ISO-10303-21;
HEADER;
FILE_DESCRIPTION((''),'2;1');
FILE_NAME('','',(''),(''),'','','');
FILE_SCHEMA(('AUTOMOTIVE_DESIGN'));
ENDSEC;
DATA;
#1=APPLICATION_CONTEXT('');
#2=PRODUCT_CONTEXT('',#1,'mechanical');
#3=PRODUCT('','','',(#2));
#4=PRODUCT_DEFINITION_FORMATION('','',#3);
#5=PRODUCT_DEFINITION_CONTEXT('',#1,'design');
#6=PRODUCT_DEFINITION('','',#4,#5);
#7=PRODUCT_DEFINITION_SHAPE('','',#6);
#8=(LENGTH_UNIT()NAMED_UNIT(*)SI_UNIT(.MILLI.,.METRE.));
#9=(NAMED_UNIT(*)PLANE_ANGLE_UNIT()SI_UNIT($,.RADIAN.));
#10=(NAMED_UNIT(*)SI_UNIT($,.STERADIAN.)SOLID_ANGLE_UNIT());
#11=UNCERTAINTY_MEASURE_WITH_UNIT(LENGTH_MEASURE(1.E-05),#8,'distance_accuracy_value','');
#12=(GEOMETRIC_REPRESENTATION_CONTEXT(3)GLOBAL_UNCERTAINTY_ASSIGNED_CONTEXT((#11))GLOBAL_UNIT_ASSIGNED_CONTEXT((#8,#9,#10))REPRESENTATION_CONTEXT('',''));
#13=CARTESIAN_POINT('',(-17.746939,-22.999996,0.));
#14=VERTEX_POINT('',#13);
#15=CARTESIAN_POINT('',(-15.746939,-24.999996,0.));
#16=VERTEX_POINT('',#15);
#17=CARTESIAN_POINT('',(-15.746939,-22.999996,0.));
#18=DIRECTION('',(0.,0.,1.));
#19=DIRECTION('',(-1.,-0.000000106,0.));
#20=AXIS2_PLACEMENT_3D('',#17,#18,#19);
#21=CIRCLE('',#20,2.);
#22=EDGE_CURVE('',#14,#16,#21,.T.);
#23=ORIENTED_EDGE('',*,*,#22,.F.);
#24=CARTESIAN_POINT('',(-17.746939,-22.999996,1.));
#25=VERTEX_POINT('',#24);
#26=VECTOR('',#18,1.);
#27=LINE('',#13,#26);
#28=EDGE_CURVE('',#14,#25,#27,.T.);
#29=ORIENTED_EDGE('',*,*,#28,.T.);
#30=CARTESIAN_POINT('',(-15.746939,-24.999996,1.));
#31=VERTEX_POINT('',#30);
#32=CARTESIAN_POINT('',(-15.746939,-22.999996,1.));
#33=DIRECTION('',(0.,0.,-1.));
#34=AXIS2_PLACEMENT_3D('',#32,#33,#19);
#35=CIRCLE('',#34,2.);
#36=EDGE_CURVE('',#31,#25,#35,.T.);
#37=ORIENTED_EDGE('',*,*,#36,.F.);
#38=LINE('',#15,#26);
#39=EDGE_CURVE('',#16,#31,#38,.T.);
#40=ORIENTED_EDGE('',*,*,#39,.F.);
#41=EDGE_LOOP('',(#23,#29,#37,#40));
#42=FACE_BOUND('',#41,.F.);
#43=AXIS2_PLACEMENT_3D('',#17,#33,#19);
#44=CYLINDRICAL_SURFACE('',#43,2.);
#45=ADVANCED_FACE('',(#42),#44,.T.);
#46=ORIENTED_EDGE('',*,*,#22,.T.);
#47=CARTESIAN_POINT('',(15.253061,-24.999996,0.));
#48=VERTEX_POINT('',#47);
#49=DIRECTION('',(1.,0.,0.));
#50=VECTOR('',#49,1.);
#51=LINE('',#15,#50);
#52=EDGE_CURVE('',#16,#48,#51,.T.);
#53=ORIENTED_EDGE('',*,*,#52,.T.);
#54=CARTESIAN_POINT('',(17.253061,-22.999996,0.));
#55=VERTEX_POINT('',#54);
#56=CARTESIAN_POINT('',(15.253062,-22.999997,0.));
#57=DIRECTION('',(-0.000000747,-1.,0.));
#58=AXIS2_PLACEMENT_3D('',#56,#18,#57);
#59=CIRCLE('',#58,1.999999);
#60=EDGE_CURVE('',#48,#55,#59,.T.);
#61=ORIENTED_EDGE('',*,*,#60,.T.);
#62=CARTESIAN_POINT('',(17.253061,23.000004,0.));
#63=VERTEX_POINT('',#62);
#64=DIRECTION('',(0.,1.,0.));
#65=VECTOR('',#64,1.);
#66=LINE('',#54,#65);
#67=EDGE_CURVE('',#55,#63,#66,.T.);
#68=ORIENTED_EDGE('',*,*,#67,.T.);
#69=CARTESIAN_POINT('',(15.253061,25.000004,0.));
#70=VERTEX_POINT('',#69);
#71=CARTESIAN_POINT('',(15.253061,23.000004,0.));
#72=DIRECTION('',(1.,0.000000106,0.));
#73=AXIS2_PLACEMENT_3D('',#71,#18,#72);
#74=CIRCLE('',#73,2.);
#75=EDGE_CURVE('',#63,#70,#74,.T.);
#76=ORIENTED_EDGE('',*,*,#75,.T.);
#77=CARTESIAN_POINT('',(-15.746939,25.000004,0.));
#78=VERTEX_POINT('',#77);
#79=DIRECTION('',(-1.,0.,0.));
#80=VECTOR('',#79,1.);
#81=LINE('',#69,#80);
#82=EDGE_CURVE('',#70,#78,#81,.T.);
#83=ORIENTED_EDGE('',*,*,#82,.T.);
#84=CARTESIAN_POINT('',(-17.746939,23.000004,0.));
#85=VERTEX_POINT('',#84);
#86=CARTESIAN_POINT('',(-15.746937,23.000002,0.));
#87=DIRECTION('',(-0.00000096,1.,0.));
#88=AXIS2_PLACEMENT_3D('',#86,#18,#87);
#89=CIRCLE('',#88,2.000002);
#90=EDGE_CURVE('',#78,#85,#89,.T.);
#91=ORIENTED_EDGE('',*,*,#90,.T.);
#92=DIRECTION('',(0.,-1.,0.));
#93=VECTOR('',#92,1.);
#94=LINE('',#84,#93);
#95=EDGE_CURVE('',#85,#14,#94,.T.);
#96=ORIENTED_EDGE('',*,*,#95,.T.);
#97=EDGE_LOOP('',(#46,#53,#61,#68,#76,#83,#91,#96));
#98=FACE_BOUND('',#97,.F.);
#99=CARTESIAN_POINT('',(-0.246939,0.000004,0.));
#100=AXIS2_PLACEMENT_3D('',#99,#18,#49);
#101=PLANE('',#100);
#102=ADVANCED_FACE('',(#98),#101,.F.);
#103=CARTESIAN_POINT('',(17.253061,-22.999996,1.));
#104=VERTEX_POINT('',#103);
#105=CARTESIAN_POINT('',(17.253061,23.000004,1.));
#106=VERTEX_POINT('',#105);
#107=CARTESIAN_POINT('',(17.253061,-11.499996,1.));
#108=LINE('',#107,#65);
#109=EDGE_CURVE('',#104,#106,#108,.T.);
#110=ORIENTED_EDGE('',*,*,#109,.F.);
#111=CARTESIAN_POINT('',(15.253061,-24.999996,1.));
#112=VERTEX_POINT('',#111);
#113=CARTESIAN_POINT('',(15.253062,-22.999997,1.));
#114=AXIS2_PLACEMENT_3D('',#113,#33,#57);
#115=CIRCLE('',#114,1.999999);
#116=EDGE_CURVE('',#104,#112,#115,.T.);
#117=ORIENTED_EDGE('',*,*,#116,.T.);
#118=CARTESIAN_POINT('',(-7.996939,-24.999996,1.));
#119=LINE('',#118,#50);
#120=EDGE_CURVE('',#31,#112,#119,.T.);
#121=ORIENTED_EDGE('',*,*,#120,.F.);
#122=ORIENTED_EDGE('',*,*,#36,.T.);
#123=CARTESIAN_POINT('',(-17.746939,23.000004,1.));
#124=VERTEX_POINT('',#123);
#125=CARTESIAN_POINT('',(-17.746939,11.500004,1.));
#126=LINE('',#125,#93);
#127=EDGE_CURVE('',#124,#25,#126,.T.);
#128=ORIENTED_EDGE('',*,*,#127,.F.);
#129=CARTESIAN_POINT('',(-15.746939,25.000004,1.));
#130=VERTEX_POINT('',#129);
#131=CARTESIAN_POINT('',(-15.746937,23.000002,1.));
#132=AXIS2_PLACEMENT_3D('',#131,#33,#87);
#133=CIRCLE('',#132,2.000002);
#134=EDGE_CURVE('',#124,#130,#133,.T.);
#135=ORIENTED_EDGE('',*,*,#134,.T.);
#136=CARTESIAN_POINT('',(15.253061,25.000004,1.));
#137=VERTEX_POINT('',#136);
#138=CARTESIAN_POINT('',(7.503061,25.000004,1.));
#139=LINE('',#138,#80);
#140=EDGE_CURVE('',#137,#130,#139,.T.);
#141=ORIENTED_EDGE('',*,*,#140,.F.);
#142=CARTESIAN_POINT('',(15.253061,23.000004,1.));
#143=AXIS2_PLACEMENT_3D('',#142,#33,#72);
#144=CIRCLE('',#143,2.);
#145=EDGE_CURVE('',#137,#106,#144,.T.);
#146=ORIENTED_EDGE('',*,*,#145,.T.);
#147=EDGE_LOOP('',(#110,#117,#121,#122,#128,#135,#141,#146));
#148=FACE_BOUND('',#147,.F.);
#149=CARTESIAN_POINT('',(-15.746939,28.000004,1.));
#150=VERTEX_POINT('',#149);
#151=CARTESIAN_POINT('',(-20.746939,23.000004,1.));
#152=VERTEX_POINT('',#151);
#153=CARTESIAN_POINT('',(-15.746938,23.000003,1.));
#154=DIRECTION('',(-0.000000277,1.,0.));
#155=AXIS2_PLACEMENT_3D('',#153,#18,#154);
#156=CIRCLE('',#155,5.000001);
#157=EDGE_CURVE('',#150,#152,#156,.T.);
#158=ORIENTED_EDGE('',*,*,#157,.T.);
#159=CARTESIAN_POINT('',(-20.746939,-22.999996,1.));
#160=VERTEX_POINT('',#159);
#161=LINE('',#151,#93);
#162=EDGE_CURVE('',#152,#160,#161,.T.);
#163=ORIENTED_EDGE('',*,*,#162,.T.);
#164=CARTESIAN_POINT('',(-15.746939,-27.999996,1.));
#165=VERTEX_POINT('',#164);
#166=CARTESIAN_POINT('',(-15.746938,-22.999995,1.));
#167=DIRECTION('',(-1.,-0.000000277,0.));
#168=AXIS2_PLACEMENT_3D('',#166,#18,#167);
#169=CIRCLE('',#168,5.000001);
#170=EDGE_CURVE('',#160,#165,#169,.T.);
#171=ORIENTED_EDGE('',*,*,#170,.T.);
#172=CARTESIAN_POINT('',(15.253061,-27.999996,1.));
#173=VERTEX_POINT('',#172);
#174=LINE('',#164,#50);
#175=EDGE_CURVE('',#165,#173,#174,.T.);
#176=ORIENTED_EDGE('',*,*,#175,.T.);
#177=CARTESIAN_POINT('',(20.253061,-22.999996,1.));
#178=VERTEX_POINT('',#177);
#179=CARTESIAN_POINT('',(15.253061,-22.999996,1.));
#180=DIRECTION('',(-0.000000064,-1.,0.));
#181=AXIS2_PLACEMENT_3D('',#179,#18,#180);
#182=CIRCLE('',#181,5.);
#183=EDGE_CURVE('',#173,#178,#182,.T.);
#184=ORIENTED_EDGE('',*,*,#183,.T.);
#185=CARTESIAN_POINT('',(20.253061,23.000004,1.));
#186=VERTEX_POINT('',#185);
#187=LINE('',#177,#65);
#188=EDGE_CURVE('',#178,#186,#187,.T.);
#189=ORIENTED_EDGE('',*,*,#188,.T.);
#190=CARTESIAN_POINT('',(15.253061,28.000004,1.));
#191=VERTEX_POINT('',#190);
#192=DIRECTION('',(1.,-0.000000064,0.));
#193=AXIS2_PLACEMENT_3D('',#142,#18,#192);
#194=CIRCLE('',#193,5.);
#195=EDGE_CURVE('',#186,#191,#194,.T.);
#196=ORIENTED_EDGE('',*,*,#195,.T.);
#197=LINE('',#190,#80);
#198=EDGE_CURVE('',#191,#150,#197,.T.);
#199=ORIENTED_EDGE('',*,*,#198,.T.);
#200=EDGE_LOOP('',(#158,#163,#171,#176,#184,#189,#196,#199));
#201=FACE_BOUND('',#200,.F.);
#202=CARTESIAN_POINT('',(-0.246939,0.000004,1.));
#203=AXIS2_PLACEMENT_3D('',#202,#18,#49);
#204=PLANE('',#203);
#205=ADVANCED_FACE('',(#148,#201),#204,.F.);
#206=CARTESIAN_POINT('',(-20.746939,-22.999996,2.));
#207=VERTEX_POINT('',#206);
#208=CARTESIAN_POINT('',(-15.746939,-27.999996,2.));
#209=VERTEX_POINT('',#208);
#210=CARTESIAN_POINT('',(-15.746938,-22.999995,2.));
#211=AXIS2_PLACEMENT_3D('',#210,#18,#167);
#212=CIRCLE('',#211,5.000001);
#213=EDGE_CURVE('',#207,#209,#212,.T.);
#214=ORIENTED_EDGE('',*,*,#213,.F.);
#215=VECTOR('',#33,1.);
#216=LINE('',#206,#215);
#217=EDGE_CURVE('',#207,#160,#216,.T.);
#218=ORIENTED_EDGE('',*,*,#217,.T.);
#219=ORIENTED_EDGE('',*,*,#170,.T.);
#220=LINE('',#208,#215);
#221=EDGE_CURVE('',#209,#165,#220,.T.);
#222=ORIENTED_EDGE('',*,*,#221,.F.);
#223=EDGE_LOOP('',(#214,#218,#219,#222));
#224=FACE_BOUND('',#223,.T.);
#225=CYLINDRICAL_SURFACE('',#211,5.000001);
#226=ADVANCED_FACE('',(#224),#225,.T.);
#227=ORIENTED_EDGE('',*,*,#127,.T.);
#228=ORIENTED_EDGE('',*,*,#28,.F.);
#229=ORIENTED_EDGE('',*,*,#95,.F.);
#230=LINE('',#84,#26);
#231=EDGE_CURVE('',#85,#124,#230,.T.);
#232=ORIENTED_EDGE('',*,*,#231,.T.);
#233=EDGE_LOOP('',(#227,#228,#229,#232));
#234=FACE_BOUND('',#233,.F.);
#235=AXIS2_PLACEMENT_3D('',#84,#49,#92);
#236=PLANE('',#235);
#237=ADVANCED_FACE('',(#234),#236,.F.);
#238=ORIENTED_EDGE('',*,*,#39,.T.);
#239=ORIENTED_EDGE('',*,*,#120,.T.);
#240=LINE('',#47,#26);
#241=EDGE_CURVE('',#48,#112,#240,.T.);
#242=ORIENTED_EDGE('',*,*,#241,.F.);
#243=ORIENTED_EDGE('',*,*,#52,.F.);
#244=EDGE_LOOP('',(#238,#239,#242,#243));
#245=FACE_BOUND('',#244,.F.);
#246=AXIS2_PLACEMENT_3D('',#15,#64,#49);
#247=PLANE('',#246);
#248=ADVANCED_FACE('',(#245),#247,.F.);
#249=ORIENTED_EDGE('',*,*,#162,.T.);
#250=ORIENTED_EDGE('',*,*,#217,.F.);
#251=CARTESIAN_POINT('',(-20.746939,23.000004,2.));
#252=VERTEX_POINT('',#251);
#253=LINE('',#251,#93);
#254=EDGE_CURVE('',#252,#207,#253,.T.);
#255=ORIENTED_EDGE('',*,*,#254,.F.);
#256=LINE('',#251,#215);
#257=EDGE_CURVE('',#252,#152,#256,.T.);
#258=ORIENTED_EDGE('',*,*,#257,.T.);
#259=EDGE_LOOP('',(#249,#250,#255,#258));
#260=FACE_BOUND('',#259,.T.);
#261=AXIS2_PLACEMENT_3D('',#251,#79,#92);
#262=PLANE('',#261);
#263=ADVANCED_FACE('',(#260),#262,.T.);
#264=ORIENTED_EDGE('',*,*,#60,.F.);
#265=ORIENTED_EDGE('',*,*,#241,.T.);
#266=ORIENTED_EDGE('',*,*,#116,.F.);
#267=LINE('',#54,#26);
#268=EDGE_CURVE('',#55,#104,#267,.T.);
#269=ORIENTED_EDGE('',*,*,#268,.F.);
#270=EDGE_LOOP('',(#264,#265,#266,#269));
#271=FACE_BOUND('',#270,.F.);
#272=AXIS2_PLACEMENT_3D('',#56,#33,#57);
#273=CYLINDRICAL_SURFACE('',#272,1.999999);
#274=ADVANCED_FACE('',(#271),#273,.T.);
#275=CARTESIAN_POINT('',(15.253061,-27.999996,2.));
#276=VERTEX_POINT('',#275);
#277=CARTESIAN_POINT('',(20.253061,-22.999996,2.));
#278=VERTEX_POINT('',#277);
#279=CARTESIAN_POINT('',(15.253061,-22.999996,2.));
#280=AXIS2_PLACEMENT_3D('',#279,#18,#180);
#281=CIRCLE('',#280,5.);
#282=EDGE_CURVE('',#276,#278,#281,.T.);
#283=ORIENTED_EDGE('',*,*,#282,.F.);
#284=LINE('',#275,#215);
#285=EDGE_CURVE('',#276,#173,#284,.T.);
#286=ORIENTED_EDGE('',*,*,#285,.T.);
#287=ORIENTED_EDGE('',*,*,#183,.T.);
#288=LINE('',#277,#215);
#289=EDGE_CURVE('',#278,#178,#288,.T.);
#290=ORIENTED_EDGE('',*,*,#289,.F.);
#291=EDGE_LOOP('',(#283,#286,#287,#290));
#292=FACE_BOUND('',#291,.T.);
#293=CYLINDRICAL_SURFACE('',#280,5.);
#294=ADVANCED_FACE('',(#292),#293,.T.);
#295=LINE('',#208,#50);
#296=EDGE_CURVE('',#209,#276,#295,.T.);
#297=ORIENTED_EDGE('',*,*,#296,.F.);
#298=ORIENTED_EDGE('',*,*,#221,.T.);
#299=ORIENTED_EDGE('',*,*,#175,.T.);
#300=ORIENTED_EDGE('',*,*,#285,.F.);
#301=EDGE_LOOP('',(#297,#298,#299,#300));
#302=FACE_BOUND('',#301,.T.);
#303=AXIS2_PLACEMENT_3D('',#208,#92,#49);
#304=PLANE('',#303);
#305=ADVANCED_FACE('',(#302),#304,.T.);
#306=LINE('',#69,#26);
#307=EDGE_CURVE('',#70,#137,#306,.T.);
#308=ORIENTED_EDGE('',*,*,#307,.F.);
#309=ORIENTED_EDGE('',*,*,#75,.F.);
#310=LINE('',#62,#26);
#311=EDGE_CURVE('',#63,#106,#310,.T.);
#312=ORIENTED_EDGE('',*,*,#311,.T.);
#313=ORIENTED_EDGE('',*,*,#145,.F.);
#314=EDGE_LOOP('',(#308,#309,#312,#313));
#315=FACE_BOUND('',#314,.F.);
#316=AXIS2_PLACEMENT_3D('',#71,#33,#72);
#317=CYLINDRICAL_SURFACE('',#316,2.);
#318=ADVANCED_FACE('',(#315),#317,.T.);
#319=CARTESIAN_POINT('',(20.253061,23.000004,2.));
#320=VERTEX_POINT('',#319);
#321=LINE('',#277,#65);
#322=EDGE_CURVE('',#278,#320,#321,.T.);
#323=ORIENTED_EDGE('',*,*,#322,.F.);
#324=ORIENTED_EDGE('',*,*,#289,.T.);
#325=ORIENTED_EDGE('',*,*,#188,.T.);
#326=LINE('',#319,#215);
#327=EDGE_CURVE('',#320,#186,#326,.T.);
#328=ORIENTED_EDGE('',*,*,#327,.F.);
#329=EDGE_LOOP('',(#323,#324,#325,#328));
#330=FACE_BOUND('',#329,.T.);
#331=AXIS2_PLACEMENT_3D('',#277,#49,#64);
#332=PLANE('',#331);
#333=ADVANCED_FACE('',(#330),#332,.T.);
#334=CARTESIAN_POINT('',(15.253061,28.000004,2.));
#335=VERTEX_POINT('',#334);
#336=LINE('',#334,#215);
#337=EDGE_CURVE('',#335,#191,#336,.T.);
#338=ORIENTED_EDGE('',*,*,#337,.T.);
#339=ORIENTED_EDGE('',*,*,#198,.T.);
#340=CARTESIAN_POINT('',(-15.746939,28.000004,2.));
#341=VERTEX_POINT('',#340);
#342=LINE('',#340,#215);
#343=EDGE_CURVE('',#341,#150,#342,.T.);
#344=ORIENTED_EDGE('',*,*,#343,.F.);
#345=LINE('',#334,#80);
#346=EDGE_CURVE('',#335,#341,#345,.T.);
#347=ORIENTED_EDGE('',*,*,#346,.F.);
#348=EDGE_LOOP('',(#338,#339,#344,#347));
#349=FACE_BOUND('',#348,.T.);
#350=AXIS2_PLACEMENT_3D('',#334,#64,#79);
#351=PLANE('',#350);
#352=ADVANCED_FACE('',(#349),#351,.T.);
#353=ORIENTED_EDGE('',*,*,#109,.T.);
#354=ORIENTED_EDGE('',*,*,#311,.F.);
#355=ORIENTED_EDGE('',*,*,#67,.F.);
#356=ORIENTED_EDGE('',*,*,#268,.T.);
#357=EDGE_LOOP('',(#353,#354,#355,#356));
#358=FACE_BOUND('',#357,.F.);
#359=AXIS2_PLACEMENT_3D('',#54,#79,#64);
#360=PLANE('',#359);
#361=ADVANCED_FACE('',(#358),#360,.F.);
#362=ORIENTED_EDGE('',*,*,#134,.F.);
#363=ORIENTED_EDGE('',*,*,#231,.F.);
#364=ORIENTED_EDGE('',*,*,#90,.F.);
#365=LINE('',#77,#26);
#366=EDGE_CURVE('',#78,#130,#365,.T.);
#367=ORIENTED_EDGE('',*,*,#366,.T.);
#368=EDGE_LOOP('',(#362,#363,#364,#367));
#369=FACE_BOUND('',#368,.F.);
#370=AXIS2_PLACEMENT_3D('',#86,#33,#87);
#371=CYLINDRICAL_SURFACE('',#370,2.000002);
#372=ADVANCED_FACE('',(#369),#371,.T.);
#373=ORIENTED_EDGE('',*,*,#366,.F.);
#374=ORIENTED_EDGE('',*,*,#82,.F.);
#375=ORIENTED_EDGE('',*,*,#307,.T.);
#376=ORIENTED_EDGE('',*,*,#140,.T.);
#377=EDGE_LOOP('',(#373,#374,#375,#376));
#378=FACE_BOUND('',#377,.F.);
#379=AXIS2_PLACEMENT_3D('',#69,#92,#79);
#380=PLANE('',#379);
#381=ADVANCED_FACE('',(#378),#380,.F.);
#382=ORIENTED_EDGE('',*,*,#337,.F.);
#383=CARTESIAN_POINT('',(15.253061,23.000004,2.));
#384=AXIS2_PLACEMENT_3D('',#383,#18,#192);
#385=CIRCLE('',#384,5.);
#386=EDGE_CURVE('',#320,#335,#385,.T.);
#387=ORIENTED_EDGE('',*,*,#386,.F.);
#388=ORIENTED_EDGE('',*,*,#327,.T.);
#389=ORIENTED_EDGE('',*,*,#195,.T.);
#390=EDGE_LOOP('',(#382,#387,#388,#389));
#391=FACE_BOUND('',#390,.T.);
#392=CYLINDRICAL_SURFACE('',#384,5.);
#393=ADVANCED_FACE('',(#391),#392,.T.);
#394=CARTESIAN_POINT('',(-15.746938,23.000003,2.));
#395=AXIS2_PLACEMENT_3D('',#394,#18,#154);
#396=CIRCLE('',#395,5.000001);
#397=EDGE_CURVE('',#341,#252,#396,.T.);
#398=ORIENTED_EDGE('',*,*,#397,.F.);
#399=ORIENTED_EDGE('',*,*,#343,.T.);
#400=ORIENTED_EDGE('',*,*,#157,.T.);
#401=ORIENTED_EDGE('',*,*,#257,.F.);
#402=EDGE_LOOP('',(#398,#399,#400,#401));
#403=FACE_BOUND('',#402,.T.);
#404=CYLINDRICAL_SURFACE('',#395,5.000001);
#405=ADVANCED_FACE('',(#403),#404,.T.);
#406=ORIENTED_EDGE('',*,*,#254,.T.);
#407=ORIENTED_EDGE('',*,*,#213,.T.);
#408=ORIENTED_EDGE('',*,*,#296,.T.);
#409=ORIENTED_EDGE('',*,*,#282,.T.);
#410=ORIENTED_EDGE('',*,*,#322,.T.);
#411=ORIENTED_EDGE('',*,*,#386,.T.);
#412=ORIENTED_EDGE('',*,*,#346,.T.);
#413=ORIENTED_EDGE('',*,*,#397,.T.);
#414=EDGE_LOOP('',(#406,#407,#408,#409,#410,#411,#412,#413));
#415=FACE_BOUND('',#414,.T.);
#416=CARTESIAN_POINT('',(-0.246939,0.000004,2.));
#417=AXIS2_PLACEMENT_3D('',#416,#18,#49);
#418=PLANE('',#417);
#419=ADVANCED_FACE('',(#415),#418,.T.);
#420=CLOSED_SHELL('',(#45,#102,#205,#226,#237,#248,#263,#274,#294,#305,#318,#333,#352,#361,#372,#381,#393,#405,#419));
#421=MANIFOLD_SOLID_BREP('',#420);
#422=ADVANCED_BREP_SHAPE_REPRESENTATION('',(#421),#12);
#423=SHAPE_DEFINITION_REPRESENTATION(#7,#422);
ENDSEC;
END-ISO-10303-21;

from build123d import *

# Parameters (mm, degrees)
F1_DEPTH = 2
F3_DEPTH = 1


with BuildPart() as f1:
    # F0 (on Top) → F1 (new body)
    with BuildSketch(Plane.XY):
        with BuildLine():
            ThreePointArc((-17.746939, -22.999996), (-17.161152, -24.41421), (-15.746939, -24.999996))
            Line((-15.746939, -24.999996), (15.253061, -24.999996))
            ThreePointArc((15.253061, -24.999996), (16.667275, -24.41421), (17.253061, -22.999996))
            Line((17.253061, -22.999996), (17.253061, 23.000004))
            ThreePointArc((17.253061, 23.000004), (16.667275, 24.414217), (15.253061, 25.000004))
            Line((15.253061, 25.000004), (-15.746939, 25.000004))
            ThreePointArc((-15.746939, 25.000004), (-17.161152, 24.414217), (-17.746939, 23.000004))
            Line((-17.746939, 23.000004), (-17.746939, -22.999996))
        make_face()
    extrude(amount=F1_DEPTH)

    # F2 (on face) → F3 (join)
    with BuildSketch(Plane.XY.offset(2)):
        with BuildLine():
            Line((20.253061, -22.999996), (20.253061, 23.000004))
            ThreePointArc((20.253061, 23.000004), (18.788595, 26.535538), (15.253061, 28.000004))
            Line((15.253061, 28.000004), (-15.746939, 28.000004))
            ThreePointArc((-15.746939, 28.000004), (-19.282472, 26.535538), (-20.746939, 23.000004))
            Line((-20.746939, 23.000004), (-20.746939, -22.999996))
            ThreePointArc((-20.746939, -22.999996), (-19.282472, -26.53553), (-15.746939, -27.999996))
            Line((-15.746939, -27.999996), (15.253061, -27.999996))
            ThreePointArc((15.253061, -27.999996), (18.788595, -26.53553), (20.253061, -22.999996))
        make_face()
    extrude(amount=-F3_DEPTH)


solid = f1.part
